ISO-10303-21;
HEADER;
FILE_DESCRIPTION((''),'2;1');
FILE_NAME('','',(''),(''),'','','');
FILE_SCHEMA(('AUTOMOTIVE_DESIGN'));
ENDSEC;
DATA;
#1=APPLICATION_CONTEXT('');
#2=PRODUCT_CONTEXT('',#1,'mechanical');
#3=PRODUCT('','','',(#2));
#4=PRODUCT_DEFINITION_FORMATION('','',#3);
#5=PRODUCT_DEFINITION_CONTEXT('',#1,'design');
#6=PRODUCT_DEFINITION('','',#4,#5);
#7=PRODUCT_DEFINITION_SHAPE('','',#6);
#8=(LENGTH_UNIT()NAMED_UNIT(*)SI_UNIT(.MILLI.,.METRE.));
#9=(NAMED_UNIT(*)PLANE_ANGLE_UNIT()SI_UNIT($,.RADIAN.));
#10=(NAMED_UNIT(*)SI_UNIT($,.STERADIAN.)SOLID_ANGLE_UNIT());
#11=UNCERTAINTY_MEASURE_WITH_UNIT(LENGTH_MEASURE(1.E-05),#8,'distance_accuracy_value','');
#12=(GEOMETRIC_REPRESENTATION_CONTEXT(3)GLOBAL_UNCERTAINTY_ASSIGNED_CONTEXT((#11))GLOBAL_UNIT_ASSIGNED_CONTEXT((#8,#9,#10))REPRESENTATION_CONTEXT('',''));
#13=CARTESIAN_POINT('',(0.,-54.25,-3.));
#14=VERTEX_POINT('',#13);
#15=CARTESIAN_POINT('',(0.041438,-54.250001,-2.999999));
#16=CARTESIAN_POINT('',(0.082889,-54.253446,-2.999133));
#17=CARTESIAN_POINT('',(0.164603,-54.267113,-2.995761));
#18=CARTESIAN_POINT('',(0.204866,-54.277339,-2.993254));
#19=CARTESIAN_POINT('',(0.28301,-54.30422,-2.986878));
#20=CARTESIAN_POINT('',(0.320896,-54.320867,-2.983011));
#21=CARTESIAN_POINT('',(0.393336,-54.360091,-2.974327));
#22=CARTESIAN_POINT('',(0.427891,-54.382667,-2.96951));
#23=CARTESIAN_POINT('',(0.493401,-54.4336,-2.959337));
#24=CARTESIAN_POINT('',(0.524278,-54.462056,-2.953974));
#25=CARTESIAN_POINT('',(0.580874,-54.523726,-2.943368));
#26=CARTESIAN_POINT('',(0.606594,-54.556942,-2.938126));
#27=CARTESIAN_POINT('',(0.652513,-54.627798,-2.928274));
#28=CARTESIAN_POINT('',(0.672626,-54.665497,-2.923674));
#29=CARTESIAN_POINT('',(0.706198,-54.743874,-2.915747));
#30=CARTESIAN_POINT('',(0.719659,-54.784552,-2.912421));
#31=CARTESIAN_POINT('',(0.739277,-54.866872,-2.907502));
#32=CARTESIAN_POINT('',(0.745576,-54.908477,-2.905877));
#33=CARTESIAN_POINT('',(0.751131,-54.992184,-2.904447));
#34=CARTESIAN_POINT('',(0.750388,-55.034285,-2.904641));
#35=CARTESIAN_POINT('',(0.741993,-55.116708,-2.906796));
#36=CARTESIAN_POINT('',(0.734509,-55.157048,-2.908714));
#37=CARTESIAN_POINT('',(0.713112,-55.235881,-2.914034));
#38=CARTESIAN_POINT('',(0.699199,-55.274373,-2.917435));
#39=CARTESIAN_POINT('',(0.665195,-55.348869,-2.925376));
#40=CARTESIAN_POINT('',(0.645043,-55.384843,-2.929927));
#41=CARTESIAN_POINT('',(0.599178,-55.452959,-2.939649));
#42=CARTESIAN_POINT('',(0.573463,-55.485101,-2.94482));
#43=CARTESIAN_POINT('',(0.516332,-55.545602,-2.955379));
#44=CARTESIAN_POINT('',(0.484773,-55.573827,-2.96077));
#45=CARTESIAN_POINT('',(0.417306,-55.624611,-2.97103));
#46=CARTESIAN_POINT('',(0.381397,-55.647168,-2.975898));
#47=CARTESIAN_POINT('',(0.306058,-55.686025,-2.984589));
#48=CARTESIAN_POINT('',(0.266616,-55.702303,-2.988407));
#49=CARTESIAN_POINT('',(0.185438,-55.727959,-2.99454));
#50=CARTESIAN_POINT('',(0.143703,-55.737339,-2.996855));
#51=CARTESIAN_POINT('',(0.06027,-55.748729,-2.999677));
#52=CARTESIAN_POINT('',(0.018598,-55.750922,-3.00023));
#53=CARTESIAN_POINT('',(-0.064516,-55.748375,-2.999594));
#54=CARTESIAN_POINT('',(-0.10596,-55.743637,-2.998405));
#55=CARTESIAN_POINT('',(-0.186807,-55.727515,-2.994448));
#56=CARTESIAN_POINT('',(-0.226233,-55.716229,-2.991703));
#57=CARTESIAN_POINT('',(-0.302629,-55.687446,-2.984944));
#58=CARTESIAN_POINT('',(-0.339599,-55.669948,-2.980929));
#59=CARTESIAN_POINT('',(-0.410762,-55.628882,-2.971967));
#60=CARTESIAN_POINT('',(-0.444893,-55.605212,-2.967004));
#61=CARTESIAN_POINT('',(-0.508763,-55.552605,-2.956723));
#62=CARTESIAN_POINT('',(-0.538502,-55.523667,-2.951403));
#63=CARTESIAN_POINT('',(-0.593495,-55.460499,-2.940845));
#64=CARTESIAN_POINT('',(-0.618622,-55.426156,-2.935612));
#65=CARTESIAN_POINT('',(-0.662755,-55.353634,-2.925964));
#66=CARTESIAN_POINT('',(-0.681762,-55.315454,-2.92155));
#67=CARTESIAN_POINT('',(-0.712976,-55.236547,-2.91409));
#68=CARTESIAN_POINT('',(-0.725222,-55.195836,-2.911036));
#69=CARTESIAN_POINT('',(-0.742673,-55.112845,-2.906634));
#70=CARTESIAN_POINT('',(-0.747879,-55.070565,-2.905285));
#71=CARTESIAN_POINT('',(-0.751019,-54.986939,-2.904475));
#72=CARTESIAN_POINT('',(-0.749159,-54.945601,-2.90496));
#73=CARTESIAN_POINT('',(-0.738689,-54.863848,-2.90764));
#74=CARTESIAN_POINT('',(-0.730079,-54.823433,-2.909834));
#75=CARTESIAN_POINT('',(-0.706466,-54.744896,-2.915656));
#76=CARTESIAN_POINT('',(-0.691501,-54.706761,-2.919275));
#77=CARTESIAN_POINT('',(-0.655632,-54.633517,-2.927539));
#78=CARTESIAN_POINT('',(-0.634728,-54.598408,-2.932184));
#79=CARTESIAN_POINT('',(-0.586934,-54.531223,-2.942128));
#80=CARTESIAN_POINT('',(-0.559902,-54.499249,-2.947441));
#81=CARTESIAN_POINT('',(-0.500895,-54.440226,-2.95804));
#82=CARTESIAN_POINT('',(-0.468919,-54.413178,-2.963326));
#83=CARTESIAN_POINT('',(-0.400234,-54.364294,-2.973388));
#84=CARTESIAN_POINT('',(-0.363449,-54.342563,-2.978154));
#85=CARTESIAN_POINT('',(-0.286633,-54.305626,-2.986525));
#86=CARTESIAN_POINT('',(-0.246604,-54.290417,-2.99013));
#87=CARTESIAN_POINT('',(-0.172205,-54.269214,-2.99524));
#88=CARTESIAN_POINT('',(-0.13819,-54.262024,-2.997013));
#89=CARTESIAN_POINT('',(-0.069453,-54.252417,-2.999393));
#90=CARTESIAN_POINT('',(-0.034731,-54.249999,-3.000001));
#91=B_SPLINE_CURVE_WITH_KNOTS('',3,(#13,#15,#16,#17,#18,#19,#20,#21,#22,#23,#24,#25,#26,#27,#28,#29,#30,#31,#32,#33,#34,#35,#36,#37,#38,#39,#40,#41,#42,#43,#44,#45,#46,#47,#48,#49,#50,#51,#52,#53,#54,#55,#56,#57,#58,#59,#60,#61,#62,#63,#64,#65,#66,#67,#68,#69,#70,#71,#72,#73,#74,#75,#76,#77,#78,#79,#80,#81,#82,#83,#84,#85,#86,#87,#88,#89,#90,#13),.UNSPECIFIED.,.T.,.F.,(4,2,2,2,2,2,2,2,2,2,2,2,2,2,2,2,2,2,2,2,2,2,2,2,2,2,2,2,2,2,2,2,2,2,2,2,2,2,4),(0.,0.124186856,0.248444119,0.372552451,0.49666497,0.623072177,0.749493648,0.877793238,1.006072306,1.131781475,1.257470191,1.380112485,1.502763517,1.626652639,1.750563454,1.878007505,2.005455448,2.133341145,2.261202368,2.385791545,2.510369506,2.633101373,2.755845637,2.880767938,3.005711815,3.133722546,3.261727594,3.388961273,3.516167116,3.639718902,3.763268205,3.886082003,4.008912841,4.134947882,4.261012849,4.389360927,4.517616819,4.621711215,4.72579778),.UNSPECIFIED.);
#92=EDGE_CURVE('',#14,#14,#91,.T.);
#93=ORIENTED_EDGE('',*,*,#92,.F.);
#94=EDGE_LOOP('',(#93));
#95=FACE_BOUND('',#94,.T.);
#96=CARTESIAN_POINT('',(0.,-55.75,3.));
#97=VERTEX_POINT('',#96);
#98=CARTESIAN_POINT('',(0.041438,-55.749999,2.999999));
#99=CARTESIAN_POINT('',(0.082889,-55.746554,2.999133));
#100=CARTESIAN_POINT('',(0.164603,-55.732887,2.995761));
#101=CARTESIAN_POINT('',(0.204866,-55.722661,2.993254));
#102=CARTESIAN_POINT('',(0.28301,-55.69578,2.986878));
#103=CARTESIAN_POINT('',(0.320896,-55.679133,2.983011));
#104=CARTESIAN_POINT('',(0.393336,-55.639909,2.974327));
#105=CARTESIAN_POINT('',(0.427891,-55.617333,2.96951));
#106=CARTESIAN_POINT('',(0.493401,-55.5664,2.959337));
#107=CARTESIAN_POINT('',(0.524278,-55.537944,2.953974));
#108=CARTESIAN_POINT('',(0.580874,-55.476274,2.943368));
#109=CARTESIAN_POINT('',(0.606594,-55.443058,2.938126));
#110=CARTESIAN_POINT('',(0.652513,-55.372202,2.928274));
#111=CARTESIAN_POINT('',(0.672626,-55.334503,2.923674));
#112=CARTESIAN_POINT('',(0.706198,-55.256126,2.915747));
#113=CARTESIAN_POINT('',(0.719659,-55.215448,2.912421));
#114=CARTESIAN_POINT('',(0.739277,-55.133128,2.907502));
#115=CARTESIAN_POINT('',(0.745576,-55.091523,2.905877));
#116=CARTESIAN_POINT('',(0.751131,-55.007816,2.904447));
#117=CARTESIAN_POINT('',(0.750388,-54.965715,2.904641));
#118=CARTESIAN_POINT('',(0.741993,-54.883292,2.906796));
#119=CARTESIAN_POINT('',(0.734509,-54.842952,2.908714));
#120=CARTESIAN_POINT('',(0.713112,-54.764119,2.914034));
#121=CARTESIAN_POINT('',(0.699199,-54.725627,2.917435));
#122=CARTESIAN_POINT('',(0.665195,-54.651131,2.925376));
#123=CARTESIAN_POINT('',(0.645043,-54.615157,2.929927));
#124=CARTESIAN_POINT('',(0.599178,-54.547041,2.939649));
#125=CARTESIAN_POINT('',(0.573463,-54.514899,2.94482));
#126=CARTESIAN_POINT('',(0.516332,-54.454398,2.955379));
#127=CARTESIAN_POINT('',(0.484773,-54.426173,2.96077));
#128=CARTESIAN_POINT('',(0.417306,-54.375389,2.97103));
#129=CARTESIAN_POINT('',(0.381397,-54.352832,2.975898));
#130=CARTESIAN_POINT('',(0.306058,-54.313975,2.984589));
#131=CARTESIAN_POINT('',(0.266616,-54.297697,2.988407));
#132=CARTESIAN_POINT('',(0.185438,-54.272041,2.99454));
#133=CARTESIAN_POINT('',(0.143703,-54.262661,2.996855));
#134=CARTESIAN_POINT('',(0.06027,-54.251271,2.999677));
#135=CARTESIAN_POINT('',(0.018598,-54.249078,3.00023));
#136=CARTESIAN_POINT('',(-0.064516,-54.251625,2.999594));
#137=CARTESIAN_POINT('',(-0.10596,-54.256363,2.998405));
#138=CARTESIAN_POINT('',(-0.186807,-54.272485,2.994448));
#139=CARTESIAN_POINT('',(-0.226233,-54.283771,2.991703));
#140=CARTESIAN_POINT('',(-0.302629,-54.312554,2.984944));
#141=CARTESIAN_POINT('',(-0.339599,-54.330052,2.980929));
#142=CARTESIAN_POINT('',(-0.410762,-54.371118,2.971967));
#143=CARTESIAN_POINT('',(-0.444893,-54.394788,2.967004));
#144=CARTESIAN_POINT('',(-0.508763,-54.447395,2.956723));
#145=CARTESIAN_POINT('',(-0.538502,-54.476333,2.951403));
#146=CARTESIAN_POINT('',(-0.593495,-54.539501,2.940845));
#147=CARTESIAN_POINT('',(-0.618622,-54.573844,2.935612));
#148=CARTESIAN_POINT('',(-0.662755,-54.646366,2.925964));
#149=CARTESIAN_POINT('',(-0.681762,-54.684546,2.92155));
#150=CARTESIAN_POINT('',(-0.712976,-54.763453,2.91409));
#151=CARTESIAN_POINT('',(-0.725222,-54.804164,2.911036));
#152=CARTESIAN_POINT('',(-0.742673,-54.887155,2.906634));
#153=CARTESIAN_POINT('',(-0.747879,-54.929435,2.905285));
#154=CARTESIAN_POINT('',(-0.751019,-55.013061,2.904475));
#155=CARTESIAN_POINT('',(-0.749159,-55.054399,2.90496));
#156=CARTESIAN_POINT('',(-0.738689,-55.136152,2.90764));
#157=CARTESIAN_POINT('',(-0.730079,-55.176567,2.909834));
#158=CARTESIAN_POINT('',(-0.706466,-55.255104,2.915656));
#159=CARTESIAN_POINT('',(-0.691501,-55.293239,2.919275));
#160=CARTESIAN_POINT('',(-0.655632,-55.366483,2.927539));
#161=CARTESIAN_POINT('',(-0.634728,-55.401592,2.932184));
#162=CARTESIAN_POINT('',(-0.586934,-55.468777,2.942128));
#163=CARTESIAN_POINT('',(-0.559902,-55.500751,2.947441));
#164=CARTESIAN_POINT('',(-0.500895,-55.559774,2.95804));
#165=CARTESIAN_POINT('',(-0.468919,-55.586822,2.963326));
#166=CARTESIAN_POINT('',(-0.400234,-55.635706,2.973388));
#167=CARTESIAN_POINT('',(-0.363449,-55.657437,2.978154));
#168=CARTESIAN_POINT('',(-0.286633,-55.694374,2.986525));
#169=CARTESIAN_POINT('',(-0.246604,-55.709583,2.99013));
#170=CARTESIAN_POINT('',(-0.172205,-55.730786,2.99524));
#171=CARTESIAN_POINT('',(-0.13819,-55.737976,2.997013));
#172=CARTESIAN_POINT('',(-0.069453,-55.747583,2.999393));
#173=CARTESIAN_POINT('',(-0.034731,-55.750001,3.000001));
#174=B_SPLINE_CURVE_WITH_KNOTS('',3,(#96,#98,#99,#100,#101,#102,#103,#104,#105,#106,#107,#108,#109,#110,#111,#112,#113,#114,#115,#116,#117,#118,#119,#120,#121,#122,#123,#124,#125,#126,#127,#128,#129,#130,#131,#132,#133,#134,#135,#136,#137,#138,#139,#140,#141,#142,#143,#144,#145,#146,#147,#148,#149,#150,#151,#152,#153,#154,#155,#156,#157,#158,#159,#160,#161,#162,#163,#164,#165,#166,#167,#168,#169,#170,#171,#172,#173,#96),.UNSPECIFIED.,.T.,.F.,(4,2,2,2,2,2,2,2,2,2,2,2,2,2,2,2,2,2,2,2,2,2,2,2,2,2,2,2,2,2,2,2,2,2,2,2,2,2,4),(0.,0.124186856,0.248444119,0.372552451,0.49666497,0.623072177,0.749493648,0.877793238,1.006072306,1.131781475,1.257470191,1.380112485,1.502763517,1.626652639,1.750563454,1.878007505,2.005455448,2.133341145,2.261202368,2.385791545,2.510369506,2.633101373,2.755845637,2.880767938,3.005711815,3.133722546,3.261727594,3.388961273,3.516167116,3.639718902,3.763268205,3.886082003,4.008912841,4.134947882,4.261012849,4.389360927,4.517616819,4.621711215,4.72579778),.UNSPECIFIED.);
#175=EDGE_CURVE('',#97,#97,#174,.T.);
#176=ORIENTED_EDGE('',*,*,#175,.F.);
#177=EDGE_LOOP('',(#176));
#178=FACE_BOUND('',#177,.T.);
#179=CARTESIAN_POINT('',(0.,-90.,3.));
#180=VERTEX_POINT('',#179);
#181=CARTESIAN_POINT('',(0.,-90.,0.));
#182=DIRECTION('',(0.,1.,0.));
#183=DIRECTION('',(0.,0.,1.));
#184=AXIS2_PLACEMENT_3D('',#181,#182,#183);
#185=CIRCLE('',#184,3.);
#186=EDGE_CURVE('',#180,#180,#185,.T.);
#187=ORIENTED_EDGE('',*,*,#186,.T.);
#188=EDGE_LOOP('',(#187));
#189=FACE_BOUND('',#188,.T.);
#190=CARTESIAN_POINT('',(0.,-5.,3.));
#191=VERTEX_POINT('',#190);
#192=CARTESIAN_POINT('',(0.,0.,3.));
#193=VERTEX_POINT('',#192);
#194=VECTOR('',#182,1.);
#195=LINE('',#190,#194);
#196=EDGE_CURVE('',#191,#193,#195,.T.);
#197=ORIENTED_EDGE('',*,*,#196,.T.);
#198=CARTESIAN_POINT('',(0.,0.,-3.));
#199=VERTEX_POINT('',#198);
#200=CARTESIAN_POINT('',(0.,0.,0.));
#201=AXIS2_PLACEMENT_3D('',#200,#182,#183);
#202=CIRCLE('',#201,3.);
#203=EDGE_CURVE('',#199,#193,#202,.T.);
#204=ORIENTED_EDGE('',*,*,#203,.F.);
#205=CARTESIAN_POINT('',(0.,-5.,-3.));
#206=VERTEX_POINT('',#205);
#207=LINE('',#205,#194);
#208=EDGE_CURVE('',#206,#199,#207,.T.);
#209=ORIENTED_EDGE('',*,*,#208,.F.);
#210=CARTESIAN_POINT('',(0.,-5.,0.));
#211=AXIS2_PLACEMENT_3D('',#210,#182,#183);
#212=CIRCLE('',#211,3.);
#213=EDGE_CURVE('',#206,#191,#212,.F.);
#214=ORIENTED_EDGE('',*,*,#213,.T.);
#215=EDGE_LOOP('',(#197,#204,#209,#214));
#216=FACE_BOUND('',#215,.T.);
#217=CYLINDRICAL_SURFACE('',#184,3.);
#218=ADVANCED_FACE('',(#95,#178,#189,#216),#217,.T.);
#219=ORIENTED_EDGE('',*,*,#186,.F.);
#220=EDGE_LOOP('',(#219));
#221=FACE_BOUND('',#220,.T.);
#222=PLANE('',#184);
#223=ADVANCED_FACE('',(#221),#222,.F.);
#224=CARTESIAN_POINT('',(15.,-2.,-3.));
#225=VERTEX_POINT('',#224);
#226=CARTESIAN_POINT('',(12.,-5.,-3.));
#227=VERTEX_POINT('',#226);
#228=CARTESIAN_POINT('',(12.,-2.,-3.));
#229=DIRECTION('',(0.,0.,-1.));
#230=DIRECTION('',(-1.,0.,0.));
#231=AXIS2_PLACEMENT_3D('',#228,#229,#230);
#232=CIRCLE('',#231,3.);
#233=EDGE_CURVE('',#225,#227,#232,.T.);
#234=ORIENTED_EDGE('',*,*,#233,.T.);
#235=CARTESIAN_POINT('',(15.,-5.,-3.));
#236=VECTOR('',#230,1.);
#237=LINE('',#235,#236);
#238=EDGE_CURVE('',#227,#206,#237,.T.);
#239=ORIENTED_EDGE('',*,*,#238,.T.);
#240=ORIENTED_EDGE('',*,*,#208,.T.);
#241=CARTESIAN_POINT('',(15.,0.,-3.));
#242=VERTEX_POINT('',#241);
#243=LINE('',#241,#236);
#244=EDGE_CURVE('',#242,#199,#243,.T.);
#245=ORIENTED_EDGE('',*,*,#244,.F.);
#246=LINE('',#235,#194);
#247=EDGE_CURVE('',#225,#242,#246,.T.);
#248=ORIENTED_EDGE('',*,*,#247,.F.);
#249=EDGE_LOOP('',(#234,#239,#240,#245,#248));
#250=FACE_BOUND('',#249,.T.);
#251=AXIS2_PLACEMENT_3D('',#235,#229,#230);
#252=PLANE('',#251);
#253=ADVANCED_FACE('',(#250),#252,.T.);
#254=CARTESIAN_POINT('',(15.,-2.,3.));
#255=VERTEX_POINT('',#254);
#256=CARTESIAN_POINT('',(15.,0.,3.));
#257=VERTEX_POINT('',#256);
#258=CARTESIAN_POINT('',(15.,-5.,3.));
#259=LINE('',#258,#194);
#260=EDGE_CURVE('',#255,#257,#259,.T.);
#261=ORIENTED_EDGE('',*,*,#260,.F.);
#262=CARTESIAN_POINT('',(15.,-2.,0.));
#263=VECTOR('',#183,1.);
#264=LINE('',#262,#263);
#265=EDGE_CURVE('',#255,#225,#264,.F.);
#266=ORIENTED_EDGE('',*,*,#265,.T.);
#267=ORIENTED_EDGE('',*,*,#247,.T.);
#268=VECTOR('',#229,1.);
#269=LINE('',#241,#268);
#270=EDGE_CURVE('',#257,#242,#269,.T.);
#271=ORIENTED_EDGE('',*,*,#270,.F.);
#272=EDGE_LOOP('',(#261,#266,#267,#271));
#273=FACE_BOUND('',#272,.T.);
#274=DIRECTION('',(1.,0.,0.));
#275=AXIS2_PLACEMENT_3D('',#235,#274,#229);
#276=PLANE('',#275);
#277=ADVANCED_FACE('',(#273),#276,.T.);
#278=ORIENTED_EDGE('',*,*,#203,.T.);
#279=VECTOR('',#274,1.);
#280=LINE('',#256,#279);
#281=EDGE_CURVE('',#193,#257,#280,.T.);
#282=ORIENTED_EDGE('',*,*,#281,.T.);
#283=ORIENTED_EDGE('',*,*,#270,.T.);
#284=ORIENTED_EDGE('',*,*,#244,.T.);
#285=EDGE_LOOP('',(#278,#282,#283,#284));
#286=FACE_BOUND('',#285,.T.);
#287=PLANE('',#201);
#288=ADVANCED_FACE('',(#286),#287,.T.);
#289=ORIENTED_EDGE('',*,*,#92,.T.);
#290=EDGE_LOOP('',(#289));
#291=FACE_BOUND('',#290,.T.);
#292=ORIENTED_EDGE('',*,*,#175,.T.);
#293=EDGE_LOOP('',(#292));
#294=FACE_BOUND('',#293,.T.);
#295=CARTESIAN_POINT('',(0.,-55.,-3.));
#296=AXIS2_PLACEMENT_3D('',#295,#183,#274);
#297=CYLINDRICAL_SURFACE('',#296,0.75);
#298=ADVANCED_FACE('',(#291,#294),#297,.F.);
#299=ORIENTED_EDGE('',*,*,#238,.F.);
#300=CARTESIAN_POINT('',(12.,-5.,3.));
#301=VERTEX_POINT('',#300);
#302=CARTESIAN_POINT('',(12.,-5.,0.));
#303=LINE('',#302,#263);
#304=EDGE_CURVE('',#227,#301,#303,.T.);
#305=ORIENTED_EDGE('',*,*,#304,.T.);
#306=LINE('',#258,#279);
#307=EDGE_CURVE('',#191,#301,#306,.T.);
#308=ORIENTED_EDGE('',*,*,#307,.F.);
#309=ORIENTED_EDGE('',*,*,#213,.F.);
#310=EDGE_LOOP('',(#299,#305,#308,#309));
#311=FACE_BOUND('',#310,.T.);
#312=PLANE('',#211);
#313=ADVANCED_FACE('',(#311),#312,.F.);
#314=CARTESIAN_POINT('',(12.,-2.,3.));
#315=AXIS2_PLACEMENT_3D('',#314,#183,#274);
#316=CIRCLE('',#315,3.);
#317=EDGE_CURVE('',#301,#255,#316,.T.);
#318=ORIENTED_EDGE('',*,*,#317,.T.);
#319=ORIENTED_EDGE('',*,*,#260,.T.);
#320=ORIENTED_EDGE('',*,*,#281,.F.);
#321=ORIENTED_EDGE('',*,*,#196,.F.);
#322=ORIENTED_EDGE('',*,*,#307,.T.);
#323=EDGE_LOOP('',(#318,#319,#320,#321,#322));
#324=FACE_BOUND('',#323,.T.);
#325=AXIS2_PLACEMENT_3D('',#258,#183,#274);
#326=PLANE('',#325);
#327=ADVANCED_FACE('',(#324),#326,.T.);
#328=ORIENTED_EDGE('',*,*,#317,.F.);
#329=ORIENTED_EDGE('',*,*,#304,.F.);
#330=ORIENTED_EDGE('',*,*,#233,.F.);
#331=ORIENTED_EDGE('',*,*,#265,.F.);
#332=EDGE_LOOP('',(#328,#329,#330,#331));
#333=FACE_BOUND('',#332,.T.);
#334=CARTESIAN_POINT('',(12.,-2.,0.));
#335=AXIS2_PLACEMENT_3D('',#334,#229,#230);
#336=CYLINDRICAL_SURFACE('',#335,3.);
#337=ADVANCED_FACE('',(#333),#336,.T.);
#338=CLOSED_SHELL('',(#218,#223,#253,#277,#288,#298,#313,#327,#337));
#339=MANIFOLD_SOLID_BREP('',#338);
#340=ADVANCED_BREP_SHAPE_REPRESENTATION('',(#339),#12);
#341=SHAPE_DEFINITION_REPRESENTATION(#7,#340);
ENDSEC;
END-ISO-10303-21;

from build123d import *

# Parameters (mm, degrees)
SKETCH1_R           = 3
BOSS_EXTRUDE1_DEPTH = 90
BOSS_EXTRUDE2_DEPTH = 5
FILLET2_R           = 3
SKETCH5_R           = 0.75
CUT_EXTRUDE2_DEPTH  = 92.438503925


with BuildPart() as part:
    # Sketch1 → Boss-Extrude1 (new body)
    with BuildSketch(Plane(origin=(0, 0, 0), x_dir=(1, 0, 0), z_dir=(0, 1, 0))):
        with Locations(Location((0, 0, 0), (0, 0, 270))):
            Circle(SKETCH1_R)
    extrude(amount=-BOSS_EXTRUDE1_DEPTH)

    # Sketch2 → Boss-Extrude2 (add)
    with BuildSketch(Plane(origin=(0, 0, 0), x_dir=(1, 0, 0), z_dir=(0, 1, 0))):
        Polygon((0, 0), (0, 3), (15, 3), (15, -3), (0, -3), align=None)
    extrude(amount=-BOSS_EXTRUDE2_DEPTH)

    # Fillet2
    fillet2_edges = [part.edges().sort_by_distance(p)[0] for p in [
        (15, -5, 0),
    ]]
    fillet(fillet2_edges, radius=FILLET2_R)

    # Sketch5 → Cut-Extrude2 (cut, through all)
    with BuildSketch(Plane.XY.offset(3)):
        with Locations(Location((0, -55, 0), (0, 0, 90))):
            Circle(SKETCH5_R)
    extrude(amount=-CUT_EXTRUDE2_DEPTH, mode=Mode.SUBTRACT)


solid = part.part
